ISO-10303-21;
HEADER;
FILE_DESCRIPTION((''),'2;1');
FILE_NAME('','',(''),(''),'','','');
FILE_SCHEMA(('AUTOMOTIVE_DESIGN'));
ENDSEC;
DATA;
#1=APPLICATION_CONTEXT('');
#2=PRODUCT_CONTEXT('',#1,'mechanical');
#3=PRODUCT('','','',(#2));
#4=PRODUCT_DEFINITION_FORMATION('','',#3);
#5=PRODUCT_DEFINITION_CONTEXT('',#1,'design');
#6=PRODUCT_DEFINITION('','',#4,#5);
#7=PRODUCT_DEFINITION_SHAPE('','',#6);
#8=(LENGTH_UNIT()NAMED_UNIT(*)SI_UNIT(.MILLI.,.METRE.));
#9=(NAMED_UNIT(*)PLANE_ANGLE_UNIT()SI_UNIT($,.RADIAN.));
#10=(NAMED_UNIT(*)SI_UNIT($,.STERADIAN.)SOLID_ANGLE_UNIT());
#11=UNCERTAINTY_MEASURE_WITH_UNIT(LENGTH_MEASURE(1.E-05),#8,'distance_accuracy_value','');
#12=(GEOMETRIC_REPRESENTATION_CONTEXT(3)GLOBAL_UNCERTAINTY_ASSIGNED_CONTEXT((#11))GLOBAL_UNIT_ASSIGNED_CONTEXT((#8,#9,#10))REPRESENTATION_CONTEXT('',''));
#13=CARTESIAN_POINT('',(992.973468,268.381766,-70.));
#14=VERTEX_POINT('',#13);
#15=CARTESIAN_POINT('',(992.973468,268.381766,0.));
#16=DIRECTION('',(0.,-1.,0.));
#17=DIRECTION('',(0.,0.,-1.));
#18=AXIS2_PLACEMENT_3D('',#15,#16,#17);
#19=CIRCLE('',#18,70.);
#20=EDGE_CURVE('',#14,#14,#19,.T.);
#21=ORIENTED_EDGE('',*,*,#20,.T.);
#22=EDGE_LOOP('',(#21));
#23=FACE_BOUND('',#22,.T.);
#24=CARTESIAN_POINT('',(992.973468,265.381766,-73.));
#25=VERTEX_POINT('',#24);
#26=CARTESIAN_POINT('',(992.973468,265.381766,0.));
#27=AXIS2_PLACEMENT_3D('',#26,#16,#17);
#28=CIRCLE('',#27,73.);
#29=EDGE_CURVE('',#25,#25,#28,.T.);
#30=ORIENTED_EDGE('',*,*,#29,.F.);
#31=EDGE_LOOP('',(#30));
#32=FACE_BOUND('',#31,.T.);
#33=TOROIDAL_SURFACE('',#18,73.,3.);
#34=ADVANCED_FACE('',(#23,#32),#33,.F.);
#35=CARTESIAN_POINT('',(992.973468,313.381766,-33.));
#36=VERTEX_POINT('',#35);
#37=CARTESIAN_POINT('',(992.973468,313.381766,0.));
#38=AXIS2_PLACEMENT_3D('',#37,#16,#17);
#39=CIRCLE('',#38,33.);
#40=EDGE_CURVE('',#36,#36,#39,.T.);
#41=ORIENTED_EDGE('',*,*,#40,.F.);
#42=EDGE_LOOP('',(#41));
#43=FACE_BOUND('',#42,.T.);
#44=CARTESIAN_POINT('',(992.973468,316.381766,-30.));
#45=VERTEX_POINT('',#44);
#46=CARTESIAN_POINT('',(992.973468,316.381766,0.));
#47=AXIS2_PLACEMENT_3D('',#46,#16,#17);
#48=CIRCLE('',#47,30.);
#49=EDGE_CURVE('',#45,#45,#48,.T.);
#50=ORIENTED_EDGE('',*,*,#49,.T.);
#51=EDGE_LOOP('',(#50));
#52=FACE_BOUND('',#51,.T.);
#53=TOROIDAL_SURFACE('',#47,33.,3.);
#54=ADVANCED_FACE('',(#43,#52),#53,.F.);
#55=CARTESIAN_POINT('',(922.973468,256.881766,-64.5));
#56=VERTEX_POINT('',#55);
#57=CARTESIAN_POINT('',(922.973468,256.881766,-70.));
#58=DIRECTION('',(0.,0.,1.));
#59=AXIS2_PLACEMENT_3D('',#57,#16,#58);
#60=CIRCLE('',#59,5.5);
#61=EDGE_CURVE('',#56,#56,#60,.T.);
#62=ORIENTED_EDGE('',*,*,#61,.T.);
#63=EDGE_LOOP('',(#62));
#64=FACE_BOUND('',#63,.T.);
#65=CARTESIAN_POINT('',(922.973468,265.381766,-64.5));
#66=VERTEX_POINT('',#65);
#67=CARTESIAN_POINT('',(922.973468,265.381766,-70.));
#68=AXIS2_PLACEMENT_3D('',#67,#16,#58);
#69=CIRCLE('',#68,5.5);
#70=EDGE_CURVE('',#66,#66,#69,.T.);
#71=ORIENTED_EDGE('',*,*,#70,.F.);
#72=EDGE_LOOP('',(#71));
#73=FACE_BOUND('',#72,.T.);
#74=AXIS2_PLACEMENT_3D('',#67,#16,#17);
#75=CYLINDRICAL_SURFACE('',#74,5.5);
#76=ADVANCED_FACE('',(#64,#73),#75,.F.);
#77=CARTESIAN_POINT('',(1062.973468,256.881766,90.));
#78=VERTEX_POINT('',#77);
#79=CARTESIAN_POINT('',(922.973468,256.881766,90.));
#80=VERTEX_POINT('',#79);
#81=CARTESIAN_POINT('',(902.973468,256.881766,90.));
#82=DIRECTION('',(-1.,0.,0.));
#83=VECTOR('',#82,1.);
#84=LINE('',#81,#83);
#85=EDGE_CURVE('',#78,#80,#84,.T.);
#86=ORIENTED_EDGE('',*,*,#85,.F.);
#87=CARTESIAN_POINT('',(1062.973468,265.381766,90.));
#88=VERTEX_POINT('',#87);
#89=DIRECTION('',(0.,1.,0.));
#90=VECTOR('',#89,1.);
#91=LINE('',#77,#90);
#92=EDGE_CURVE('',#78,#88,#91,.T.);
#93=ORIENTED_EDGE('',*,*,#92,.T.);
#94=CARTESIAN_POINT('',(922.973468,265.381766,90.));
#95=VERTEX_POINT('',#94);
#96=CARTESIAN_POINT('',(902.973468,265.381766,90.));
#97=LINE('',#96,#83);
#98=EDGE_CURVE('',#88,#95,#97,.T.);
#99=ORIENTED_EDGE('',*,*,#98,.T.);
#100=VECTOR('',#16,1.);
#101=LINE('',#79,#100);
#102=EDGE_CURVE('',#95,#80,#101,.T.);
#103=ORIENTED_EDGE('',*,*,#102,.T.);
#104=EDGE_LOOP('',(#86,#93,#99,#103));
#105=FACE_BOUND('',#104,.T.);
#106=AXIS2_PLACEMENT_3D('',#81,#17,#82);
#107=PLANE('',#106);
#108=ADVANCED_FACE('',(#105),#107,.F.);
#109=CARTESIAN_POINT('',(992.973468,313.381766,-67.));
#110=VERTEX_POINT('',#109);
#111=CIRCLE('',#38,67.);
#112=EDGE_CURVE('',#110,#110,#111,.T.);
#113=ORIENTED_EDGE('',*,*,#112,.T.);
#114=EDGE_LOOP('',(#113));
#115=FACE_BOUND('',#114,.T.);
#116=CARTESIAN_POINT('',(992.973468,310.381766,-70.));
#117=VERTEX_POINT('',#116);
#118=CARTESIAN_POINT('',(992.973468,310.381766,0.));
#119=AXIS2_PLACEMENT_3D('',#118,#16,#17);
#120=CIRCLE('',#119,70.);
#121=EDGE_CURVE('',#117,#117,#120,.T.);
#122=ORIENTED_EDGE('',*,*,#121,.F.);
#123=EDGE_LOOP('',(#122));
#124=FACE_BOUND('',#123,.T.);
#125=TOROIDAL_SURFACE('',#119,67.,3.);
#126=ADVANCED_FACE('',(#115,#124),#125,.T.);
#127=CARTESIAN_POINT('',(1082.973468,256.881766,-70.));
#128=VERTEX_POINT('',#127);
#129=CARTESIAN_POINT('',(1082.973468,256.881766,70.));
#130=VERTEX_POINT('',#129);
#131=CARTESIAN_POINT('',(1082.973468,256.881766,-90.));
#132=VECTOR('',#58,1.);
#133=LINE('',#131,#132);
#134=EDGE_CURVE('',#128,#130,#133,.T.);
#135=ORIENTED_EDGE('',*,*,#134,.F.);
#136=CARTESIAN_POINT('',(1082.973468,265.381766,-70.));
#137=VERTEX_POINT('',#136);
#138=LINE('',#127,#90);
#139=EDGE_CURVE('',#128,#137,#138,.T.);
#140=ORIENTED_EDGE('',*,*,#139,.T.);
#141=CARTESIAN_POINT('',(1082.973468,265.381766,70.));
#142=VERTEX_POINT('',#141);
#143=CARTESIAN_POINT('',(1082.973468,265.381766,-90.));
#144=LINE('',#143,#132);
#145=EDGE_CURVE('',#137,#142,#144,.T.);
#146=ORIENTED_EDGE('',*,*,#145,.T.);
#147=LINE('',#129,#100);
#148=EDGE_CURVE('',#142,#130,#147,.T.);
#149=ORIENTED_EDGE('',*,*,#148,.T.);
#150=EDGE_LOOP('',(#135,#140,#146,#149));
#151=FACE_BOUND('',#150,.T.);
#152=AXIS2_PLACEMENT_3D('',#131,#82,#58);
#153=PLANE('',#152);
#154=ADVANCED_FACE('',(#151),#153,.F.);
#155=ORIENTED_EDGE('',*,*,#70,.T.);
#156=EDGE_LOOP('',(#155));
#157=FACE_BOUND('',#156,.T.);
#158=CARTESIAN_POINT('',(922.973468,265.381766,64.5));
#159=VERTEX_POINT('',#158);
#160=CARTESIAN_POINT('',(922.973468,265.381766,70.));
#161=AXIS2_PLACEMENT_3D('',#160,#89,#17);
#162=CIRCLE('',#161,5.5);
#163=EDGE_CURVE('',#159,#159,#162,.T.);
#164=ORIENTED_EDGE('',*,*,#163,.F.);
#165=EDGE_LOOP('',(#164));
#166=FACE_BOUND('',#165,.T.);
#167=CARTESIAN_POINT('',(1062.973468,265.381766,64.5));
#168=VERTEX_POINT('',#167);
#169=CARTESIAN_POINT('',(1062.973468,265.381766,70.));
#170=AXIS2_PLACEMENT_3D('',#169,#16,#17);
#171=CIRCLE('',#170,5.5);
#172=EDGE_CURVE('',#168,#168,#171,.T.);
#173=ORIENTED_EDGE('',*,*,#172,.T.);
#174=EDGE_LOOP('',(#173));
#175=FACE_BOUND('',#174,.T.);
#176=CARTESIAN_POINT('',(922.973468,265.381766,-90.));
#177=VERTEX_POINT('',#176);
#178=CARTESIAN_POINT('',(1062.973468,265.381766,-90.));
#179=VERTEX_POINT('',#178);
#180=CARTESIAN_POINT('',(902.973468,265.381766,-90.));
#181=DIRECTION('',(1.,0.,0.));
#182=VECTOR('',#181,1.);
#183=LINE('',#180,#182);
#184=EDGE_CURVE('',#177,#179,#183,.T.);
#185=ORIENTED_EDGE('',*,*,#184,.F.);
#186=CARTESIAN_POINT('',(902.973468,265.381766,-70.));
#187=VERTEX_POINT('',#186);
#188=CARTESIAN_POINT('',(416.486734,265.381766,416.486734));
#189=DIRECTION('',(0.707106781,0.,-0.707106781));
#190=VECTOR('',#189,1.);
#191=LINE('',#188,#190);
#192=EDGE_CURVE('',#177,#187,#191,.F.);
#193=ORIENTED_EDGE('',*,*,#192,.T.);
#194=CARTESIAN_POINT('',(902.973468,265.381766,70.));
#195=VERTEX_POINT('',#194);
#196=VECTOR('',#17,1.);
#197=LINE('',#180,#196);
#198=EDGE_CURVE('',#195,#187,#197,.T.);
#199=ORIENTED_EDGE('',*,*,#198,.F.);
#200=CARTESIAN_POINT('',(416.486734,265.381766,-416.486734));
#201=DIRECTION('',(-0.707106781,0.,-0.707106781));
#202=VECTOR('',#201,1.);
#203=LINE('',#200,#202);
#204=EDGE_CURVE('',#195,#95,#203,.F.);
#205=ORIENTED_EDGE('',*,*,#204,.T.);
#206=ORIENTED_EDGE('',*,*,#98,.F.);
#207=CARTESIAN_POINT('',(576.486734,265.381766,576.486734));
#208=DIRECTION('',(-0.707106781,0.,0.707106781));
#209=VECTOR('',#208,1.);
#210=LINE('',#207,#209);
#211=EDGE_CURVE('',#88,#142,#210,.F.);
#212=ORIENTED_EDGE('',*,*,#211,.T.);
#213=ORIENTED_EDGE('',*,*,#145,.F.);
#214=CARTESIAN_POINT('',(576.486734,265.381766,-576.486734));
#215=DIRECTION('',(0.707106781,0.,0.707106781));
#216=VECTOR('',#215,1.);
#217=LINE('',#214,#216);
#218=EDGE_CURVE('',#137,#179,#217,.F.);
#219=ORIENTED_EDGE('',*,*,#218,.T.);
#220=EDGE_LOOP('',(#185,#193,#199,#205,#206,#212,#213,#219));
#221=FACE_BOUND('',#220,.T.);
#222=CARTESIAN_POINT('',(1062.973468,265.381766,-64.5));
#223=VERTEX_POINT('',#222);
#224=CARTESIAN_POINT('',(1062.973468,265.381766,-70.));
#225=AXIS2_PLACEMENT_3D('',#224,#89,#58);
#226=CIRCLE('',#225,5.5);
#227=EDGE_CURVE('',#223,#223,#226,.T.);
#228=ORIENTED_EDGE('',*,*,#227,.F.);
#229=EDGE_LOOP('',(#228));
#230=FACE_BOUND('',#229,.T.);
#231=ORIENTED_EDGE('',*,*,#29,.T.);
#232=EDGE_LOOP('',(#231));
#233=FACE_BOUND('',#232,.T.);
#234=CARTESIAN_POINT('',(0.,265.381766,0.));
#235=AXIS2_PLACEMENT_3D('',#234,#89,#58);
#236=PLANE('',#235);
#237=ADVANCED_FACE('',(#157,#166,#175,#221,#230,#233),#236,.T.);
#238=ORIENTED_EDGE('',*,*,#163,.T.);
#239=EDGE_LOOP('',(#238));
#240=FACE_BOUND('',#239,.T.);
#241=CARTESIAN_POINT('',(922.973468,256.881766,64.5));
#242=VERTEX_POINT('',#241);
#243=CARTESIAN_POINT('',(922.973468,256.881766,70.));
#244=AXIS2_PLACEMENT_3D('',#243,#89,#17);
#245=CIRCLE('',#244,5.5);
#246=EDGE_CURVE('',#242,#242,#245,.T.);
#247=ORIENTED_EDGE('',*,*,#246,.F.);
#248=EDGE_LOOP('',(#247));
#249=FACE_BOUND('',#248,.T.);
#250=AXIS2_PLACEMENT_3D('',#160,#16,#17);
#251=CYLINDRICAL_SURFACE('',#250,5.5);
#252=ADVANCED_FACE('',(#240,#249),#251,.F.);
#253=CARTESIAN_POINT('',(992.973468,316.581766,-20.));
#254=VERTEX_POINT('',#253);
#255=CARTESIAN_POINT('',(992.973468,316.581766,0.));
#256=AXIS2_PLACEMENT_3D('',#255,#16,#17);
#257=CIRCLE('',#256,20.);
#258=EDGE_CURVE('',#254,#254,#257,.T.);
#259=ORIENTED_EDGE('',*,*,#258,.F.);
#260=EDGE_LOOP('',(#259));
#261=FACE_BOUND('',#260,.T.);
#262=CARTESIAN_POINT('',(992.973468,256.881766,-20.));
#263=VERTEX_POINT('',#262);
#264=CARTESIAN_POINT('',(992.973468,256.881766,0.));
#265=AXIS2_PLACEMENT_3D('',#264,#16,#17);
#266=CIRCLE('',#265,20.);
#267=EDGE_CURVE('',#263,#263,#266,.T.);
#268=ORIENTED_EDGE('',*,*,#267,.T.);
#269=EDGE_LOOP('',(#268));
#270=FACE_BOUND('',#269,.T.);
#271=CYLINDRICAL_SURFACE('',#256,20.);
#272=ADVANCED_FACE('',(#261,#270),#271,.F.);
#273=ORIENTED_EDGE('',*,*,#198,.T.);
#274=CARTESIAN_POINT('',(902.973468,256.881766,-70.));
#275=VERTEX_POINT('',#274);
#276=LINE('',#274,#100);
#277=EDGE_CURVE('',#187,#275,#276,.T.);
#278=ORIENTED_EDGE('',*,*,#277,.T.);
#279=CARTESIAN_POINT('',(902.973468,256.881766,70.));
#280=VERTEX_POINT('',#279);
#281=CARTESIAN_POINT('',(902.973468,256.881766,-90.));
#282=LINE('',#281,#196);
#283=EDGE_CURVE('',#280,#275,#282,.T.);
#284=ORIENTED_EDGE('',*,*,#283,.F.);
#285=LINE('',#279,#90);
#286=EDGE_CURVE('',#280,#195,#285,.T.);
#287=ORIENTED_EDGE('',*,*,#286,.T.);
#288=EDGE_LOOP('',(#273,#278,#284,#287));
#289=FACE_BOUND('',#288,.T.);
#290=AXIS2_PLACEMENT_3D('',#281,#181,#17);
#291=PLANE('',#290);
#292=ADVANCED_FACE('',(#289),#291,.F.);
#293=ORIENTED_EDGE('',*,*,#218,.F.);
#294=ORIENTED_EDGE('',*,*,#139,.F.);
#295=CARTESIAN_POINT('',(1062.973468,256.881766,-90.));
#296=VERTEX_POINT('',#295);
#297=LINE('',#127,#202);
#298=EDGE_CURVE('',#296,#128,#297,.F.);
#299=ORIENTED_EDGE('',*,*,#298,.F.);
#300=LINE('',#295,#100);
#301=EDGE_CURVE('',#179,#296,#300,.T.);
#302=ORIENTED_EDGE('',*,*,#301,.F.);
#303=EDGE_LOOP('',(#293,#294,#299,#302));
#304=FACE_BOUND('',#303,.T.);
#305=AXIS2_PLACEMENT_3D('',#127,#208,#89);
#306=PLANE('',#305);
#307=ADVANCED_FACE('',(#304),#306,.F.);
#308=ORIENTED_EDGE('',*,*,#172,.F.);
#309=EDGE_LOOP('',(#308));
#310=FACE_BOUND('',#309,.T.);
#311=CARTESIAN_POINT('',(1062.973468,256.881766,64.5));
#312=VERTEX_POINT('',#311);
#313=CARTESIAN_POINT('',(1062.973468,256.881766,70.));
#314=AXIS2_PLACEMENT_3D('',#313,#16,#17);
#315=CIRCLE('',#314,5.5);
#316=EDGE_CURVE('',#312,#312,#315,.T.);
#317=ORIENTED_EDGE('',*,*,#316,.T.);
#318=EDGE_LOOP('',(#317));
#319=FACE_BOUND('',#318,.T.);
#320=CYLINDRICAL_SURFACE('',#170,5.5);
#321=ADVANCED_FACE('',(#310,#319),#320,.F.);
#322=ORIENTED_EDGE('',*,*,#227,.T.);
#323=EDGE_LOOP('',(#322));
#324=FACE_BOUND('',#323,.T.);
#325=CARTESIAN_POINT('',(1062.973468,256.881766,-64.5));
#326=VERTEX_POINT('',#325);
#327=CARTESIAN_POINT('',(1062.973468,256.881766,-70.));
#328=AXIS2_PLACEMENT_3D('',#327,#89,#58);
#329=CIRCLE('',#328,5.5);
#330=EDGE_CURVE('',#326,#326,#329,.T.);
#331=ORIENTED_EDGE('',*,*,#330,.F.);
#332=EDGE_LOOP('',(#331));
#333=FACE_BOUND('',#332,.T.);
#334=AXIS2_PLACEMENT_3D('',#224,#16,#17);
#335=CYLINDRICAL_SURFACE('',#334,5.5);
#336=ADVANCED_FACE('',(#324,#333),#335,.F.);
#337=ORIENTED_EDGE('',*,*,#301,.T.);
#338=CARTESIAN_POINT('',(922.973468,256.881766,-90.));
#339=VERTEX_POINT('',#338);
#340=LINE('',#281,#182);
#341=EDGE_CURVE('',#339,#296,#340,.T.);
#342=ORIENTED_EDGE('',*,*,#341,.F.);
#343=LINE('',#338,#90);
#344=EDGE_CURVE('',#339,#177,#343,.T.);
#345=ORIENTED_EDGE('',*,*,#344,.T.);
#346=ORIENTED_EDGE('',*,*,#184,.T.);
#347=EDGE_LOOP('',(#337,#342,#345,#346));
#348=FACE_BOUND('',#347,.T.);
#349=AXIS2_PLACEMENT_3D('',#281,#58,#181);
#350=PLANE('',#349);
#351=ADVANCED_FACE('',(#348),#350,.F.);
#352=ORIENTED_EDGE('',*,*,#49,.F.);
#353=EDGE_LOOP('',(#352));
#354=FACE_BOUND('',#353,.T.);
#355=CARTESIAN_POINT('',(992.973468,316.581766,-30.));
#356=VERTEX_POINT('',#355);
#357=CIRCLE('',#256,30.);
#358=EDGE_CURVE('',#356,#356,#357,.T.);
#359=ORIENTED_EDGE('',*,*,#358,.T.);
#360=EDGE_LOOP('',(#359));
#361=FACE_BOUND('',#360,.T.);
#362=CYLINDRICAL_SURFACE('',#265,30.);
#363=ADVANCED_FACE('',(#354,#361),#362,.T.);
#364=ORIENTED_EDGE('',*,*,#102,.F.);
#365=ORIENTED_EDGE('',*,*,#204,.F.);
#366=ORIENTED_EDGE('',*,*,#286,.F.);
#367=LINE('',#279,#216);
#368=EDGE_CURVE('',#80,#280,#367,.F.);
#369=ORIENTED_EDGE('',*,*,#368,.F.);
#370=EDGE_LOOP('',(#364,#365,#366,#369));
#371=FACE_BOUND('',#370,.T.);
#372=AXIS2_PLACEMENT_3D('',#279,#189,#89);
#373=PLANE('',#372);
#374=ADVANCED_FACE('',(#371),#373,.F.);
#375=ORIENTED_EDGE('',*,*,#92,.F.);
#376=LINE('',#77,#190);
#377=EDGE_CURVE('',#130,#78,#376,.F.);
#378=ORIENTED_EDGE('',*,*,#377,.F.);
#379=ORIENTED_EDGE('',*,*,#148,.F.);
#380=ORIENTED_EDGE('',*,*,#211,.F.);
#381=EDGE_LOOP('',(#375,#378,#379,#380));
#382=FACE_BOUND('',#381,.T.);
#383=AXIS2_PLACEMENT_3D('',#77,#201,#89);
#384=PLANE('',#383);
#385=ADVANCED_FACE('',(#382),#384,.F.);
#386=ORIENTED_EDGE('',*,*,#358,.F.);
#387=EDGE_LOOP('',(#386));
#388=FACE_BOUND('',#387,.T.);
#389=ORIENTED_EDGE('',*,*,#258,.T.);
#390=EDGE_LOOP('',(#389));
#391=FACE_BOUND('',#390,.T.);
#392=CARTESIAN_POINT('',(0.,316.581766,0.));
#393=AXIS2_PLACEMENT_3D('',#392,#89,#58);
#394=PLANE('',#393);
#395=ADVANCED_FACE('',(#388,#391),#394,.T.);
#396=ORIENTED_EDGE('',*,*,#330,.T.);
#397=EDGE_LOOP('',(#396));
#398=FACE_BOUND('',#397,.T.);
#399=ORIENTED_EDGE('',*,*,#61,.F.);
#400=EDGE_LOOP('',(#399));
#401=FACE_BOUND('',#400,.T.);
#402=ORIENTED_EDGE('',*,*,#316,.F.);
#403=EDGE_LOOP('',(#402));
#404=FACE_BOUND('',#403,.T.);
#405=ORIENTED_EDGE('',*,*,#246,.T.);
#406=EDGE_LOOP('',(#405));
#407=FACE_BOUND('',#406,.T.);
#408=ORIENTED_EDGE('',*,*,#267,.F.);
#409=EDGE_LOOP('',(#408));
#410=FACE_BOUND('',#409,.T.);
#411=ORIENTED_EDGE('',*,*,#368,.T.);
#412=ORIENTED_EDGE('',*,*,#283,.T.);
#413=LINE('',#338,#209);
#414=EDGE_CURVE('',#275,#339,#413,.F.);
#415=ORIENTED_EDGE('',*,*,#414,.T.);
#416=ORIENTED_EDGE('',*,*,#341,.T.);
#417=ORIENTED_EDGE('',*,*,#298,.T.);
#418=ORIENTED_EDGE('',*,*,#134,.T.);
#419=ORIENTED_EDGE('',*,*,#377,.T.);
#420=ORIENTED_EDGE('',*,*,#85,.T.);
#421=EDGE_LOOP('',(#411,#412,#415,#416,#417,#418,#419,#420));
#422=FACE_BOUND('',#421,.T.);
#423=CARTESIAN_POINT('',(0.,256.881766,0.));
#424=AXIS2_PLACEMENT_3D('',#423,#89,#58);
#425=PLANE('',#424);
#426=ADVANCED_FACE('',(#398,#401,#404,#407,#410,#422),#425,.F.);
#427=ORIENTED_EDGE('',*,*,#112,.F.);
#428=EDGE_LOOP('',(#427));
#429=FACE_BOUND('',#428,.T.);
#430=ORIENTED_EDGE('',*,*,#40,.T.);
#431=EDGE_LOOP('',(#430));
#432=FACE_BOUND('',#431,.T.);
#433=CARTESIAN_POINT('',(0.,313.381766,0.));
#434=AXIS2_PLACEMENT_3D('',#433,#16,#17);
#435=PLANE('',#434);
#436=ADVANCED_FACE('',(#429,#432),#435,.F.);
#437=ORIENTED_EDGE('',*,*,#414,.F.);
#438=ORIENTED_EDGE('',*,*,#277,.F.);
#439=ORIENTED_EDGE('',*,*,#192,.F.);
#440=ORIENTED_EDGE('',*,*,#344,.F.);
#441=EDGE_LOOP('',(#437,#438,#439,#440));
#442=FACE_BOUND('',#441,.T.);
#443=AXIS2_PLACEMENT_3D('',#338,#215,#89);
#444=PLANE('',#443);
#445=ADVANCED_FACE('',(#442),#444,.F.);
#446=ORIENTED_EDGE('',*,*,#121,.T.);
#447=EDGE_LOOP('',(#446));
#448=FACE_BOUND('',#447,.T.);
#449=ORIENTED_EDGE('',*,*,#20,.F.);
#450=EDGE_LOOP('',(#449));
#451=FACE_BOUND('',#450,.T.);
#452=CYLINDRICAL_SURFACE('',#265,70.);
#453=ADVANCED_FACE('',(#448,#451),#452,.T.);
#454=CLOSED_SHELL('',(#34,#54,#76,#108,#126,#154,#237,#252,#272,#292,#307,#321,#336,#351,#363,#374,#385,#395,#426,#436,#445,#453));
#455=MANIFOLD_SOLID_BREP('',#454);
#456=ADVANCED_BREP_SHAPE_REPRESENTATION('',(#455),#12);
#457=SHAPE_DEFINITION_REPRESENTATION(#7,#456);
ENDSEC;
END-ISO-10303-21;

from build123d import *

# Parameters (mm, degrees)
SKETCH_2_W               = 180
SKETCH_2_H               = 180
EXTRUDE_1_DEPTH          = 8.5
CHAMFER_1_SIZE           = 20
SKETCH_4_R               = 5.5
CUT_EXTRUDE_1_DEPTH      = 8.5
MIRROR_2_COPY_1_SKETCH_R = 5.5
MIRROR_2_COPY_1_DEPTH    = 8.5
SKETCH_5_R               = 20
CUT_EXTRUDE_2_DEPTH      = 1089.345359905


with BuildPart() as part:
    # 草图1 → 旋转1 (revolve)
    with BuildSketch(Plane.XY, mode=Mode.PRIVATE) as revolve_1_sk:
        with BuildLine():
            ThreePointArc((922.973468016, 268.381765717), (922.094788359, 266.260445373), (919.973468016, 265.381765717))
            Line((919.973468016, 265.381765717), (922.973468016, 265.381765717))
            Line((922.973468016, 265.381765717), (992.973468016, 265.381765717))
            Line((992.973468016, 265.381765717), (992.973468016, 313.381765717))
            Line((992.973468016, 313.381765717), (959.973468016, 313.381765717))
            Line((959.973468016, 313.381765717), (925.973468016, 313.381765717))
            ThreePointArc((925.973468016, 313.381765717), (923.852147672, 312.50308606), (922.973468016, 310.381765717))
            Line((922.973468016, 310.381765717), (922.973468016, 268.381765717))
        make_face()
        with BuildLine():
            Line((959.973468016, 313.381765717), (992.973468016, 313.381765717))
            Line((992.973468016, 313.381765717), (992.973468016, 316.581765717))
            Line((992.973468016, 316.581765717), (962.973468016, 316.581765717))
            Line((962.973468016, 316.581765717), (962.973468016, 316.381765717))
            ThreePointArc((962.973468016, 316.381765717), (962.094788359, 314.260445373), (959.973468016, 313.381765717))
        make_face()
    revolve(revolve_1_sk.sketch.rotate(Axis((992.973468016, 256.881765717, 0), (0, 1, 0)), 270), axis=Axis((992.973468016, 256.881765717, 0), (0, 1, 0)))

    # 草图2 → 凸台-拉伸1 (add)
    with BuildSketch(Plane.XZ.offset(-265.381765717)):
        with Locations((992.973468016, 0)):
            Rectangle(SKETCH_2_W, SKETCH_2_H)
    extrude(amount=EXTRUDE_1_DEPTH)

    # 倒角1
    chamfer_1_edges = [part.edges().sort_by_distance(p)[0] for p in [
        (1082.973468016, 261.131765717, -90),
        (1082.973468016, 261.131765717, 90),
        (902.973468016, 261.131765717, 90),
        (902.973468016, 261.131765717, -90),
    ]]
    chamfer(chamfer_1_edges, length=CHAMFER_1_SIZE)

    # 草图4 → 切除-拉伸1 (cut)
    with BuildSketch(Plane.XZ.offset(-256.881765717)):
        with Locations(Location((1062.973468016, 70, 0), (0, 0, 270))):
            Circle(SKETCH_4_R)
    cut_extrude_1 = extrude(amount=-CUT_EXTRUDE_1_DEPTH, mode=Mode.SUBTRACT)

    # 镜向1: 切除-拉伸1 across plane
    add(cut_extrude_1.mirror(Plane.XY), mode=Mode.SUBTRACT)

    # 镜向2: 切除-拉伸1 across plane
    add(cut_extrude_1.mirror(Plane.ZY.offset(-992.973468016)), mode=Mode.SUBTRACT)

    # 镜向2 copy 1 sketch → 镜向2 copy 1 (cut)
    with BuildSketch(Plane(origin=(1985.946936032, 256.881765717, 0), x_dir=(-1, 0, 0), z_dir=(0, -1, 0))):
        with Locations(Location((1062.973468016, 70, 0), (0, 0, 270))):
            Circle(MIRROR_2_COPY_1_SKETCH_R)
    extrude(amount=-MIRROR_2_COPY_1_DEPTH, mode=Mode.SUBTRACT)

    # 草图5 → 切除-拉伸2 (cut, through all)
    with BuildSketch(Plane.XZ.offset(-256.881765717)):
        with Locations(Location((992.973468016, 0, 0), (0, 0, 270))):
            Circle(SKETCH_5_R)
    extrude(amount=-CUT_EXTRUDE_2_DEPTH, mode=Mode.SUBTRACT)


solid = part.part
